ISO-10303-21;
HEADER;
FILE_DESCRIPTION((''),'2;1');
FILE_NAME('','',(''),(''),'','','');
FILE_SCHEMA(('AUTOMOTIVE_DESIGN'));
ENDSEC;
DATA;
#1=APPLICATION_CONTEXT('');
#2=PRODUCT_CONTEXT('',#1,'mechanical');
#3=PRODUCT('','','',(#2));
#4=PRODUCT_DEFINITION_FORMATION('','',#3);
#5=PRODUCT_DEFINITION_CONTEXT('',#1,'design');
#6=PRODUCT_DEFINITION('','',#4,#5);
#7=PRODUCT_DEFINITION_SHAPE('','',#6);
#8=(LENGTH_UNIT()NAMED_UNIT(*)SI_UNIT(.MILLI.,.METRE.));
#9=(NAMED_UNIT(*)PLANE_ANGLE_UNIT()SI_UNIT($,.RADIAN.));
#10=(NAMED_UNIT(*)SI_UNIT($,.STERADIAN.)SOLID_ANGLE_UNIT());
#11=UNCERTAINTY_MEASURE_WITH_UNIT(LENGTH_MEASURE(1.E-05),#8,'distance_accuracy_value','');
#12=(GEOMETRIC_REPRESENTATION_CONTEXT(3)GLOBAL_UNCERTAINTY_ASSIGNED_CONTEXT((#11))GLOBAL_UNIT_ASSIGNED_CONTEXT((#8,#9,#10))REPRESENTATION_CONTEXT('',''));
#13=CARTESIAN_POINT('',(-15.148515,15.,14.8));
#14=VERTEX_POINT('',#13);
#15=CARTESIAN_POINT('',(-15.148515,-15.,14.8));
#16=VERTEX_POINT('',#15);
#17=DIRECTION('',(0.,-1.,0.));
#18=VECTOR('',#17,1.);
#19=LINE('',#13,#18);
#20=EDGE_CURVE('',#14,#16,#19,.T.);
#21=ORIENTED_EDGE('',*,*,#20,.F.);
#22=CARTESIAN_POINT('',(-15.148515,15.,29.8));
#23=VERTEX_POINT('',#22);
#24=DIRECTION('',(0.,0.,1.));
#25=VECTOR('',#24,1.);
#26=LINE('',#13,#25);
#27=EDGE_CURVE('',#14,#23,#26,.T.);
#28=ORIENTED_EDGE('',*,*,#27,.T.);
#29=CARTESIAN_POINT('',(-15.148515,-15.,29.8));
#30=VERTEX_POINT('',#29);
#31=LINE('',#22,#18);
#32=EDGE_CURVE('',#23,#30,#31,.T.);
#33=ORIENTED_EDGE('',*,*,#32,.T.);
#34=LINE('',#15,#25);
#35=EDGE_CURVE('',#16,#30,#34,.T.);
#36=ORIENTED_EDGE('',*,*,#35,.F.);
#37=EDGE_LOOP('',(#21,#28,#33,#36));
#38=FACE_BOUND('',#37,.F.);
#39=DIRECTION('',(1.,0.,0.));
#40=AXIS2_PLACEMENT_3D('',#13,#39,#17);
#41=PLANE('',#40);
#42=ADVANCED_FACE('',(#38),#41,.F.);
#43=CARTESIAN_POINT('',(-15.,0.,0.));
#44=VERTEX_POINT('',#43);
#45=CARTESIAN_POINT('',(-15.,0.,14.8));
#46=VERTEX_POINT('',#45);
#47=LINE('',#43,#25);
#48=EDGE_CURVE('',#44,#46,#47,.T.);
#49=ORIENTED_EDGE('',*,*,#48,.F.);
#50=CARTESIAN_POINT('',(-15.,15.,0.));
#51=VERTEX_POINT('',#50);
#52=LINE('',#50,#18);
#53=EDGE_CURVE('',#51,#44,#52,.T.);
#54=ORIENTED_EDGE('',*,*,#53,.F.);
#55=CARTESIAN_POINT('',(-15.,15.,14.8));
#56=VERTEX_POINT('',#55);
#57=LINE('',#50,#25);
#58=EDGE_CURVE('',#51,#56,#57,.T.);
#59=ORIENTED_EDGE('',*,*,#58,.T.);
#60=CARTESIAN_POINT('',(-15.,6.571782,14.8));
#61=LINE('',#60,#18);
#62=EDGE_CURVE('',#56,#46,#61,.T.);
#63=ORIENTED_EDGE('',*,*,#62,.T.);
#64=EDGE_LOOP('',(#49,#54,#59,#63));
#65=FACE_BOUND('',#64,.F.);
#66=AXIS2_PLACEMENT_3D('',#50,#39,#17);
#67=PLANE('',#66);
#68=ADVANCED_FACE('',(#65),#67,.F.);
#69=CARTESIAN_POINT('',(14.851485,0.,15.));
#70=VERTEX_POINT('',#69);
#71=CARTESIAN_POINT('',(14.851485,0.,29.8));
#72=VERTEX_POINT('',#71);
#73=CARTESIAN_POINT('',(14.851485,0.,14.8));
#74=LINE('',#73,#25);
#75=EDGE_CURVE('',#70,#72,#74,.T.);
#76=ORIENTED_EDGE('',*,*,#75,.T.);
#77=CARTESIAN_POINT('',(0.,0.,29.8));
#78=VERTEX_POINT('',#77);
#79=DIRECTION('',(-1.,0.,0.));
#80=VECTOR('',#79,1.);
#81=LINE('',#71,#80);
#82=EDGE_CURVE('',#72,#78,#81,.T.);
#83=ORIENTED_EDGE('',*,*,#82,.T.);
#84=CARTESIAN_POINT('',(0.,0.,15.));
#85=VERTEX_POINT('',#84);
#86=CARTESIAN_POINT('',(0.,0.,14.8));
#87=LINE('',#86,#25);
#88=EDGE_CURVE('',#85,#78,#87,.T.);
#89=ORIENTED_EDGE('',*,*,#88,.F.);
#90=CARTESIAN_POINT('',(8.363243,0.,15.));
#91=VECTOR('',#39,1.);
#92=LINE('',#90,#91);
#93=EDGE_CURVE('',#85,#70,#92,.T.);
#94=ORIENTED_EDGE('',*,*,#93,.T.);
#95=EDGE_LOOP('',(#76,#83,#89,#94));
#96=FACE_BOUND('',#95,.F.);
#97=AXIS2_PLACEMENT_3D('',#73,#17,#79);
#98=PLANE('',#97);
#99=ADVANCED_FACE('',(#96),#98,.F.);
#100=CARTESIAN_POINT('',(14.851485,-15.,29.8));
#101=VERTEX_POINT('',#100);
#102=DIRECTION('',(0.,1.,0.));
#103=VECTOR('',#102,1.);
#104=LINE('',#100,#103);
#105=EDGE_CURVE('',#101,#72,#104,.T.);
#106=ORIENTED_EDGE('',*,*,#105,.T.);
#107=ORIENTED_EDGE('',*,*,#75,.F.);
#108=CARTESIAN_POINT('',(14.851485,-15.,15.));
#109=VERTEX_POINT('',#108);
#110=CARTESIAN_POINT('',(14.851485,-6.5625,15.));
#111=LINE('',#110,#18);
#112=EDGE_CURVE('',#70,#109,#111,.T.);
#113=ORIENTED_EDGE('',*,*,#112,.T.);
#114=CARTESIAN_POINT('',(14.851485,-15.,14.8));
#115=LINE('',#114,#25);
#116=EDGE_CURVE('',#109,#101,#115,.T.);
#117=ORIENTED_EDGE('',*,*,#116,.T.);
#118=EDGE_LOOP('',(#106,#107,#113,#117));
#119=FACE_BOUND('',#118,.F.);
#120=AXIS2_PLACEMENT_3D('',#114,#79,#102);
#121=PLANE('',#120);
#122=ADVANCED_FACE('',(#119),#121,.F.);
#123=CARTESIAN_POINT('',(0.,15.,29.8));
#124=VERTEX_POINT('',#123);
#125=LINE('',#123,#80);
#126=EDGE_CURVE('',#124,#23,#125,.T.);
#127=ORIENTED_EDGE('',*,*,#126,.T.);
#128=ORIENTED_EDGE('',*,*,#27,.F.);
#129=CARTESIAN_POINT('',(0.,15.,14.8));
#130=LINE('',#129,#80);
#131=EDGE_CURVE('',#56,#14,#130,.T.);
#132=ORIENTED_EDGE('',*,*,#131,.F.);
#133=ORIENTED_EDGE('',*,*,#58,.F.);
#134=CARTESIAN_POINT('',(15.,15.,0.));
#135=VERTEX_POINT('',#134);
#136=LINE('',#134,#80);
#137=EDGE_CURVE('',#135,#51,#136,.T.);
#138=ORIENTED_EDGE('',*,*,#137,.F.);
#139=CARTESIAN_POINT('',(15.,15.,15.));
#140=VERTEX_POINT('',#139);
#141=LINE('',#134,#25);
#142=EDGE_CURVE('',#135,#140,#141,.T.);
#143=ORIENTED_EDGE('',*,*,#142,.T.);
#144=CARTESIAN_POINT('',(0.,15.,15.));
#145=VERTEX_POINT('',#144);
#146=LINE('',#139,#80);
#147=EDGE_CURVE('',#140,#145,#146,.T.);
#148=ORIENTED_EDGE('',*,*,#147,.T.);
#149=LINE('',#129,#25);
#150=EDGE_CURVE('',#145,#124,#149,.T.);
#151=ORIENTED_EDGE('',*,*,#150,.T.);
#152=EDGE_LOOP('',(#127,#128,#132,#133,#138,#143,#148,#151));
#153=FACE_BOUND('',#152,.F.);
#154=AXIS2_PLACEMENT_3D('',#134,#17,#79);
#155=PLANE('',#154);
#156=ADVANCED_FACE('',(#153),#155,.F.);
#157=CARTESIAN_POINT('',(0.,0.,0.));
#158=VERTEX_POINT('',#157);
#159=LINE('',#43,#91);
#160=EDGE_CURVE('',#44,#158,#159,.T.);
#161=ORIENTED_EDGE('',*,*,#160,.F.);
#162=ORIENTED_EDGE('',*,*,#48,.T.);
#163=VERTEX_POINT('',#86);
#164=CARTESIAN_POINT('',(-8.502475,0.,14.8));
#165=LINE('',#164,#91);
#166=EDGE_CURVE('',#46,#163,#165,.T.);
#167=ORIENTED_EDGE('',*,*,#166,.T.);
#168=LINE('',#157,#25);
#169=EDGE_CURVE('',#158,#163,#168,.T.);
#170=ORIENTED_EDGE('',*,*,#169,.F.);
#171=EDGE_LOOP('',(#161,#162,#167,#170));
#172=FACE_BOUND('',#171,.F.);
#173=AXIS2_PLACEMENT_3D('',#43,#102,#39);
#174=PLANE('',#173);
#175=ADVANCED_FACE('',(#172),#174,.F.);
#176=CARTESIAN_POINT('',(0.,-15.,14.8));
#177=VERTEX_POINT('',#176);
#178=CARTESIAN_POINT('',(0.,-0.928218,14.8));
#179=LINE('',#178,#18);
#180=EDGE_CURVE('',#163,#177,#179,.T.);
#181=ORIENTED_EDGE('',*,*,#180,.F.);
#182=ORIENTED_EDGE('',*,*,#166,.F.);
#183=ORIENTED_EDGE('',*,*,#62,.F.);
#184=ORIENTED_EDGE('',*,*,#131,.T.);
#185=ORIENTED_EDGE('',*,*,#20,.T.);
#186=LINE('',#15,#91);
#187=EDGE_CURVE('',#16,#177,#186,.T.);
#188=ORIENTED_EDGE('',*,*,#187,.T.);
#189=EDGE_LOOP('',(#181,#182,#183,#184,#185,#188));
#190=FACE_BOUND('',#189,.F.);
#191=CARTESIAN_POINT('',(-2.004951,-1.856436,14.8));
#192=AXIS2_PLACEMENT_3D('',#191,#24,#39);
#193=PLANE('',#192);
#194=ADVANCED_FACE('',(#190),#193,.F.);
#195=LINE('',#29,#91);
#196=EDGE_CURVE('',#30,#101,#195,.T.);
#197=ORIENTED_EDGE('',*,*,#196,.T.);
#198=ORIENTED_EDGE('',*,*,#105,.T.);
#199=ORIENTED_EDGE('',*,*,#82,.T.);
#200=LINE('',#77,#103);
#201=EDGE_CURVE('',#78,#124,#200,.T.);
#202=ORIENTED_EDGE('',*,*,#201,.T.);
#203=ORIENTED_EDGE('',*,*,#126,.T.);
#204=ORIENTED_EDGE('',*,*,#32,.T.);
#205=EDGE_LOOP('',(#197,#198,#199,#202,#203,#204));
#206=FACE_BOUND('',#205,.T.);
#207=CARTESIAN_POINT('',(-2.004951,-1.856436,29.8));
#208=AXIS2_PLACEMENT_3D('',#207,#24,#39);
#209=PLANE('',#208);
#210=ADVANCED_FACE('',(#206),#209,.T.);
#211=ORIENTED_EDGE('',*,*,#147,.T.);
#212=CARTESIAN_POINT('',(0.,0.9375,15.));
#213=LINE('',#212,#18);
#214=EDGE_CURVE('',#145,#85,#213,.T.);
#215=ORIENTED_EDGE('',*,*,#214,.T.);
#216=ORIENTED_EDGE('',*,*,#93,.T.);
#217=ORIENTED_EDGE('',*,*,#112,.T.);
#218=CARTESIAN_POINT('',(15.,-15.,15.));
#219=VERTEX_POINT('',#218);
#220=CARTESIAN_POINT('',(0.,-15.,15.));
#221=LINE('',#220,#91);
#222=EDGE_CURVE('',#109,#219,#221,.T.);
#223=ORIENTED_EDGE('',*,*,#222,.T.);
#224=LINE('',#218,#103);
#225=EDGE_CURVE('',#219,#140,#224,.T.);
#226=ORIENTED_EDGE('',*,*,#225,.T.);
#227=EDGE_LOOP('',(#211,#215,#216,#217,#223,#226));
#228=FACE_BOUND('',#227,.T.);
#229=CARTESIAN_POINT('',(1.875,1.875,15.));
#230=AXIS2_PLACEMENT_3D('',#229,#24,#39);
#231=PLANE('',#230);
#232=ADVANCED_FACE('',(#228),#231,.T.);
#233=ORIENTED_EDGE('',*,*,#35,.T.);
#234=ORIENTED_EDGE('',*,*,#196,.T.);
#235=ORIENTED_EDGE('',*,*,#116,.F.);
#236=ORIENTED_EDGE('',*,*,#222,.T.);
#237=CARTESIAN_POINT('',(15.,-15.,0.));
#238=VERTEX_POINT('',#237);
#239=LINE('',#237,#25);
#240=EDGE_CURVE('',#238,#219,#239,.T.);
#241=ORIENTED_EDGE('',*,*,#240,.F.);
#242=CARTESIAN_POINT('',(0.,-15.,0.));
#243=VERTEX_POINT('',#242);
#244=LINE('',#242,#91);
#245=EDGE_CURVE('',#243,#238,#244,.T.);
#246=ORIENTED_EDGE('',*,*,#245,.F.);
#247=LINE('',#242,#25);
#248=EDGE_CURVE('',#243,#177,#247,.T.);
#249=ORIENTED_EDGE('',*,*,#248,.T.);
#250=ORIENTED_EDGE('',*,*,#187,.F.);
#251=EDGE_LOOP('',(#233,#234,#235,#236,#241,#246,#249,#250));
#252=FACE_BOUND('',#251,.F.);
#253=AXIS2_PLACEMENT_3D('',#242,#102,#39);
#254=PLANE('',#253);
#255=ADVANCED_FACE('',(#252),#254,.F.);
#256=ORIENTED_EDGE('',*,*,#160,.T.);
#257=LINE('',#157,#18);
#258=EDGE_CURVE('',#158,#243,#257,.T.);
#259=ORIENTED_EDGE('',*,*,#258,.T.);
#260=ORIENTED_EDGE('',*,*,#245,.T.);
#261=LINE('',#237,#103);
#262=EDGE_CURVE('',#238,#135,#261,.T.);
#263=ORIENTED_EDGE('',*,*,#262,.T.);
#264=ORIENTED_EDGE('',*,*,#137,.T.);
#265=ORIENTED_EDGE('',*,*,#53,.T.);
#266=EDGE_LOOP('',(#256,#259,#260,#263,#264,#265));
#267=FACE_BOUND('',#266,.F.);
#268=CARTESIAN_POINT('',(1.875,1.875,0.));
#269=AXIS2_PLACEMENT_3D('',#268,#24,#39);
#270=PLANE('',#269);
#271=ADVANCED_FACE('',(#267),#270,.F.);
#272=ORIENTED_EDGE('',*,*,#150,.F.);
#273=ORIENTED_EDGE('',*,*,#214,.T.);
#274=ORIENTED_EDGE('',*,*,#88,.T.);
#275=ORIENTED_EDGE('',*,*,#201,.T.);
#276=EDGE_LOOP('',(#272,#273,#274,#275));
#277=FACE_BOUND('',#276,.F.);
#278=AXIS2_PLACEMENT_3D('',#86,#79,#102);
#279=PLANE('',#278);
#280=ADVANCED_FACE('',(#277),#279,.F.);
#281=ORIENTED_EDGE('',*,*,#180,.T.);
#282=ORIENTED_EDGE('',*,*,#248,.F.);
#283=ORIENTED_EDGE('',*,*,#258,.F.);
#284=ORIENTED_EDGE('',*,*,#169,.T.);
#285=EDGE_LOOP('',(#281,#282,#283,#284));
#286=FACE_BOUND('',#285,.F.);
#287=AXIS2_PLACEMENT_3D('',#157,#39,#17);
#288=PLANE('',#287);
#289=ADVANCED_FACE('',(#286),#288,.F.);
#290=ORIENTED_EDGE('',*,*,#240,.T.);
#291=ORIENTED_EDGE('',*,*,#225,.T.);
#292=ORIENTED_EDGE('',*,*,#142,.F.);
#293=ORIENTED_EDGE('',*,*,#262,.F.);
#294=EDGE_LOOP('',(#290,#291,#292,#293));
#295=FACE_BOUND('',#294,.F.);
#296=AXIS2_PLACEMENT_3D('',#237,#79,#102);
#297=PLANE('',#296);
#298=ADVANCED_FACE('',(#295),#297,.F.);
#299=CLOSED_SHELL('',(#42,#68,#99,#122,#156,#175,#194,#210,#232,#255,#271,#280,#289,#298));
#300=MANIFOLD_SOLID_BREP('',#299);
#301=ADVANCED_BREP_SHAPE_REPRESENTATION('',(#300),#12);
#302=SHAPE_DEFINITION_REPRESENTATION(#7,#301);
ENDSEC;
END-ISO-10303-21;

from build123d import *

# Parameters (mm, degrees)
F1_DEPTH = 15
F4_DEPTH = 15


with BuildPart() as f1:
    # F0 (on Top) → F1 (new body)
    with BuildSketch(Plane.XY):
        Polygon((-15, 0), (0, 0), (0, -15), (15, -15), (15, 15), (-15, 15), align=None)
    extrude(amount=F1_DEPTH)

    # F3 (on offset) → F4 (join)
    with BuildSketch(Plane.XY.offset(14.8)):
        Polygon((14.851485, 0), (0, 0), (0, 15), (-15.148515, 15), (-15.148515, -15), (14.851485, -15), align=None)
    extrude(amount=F4_DEPTH)


solid = f1.part
